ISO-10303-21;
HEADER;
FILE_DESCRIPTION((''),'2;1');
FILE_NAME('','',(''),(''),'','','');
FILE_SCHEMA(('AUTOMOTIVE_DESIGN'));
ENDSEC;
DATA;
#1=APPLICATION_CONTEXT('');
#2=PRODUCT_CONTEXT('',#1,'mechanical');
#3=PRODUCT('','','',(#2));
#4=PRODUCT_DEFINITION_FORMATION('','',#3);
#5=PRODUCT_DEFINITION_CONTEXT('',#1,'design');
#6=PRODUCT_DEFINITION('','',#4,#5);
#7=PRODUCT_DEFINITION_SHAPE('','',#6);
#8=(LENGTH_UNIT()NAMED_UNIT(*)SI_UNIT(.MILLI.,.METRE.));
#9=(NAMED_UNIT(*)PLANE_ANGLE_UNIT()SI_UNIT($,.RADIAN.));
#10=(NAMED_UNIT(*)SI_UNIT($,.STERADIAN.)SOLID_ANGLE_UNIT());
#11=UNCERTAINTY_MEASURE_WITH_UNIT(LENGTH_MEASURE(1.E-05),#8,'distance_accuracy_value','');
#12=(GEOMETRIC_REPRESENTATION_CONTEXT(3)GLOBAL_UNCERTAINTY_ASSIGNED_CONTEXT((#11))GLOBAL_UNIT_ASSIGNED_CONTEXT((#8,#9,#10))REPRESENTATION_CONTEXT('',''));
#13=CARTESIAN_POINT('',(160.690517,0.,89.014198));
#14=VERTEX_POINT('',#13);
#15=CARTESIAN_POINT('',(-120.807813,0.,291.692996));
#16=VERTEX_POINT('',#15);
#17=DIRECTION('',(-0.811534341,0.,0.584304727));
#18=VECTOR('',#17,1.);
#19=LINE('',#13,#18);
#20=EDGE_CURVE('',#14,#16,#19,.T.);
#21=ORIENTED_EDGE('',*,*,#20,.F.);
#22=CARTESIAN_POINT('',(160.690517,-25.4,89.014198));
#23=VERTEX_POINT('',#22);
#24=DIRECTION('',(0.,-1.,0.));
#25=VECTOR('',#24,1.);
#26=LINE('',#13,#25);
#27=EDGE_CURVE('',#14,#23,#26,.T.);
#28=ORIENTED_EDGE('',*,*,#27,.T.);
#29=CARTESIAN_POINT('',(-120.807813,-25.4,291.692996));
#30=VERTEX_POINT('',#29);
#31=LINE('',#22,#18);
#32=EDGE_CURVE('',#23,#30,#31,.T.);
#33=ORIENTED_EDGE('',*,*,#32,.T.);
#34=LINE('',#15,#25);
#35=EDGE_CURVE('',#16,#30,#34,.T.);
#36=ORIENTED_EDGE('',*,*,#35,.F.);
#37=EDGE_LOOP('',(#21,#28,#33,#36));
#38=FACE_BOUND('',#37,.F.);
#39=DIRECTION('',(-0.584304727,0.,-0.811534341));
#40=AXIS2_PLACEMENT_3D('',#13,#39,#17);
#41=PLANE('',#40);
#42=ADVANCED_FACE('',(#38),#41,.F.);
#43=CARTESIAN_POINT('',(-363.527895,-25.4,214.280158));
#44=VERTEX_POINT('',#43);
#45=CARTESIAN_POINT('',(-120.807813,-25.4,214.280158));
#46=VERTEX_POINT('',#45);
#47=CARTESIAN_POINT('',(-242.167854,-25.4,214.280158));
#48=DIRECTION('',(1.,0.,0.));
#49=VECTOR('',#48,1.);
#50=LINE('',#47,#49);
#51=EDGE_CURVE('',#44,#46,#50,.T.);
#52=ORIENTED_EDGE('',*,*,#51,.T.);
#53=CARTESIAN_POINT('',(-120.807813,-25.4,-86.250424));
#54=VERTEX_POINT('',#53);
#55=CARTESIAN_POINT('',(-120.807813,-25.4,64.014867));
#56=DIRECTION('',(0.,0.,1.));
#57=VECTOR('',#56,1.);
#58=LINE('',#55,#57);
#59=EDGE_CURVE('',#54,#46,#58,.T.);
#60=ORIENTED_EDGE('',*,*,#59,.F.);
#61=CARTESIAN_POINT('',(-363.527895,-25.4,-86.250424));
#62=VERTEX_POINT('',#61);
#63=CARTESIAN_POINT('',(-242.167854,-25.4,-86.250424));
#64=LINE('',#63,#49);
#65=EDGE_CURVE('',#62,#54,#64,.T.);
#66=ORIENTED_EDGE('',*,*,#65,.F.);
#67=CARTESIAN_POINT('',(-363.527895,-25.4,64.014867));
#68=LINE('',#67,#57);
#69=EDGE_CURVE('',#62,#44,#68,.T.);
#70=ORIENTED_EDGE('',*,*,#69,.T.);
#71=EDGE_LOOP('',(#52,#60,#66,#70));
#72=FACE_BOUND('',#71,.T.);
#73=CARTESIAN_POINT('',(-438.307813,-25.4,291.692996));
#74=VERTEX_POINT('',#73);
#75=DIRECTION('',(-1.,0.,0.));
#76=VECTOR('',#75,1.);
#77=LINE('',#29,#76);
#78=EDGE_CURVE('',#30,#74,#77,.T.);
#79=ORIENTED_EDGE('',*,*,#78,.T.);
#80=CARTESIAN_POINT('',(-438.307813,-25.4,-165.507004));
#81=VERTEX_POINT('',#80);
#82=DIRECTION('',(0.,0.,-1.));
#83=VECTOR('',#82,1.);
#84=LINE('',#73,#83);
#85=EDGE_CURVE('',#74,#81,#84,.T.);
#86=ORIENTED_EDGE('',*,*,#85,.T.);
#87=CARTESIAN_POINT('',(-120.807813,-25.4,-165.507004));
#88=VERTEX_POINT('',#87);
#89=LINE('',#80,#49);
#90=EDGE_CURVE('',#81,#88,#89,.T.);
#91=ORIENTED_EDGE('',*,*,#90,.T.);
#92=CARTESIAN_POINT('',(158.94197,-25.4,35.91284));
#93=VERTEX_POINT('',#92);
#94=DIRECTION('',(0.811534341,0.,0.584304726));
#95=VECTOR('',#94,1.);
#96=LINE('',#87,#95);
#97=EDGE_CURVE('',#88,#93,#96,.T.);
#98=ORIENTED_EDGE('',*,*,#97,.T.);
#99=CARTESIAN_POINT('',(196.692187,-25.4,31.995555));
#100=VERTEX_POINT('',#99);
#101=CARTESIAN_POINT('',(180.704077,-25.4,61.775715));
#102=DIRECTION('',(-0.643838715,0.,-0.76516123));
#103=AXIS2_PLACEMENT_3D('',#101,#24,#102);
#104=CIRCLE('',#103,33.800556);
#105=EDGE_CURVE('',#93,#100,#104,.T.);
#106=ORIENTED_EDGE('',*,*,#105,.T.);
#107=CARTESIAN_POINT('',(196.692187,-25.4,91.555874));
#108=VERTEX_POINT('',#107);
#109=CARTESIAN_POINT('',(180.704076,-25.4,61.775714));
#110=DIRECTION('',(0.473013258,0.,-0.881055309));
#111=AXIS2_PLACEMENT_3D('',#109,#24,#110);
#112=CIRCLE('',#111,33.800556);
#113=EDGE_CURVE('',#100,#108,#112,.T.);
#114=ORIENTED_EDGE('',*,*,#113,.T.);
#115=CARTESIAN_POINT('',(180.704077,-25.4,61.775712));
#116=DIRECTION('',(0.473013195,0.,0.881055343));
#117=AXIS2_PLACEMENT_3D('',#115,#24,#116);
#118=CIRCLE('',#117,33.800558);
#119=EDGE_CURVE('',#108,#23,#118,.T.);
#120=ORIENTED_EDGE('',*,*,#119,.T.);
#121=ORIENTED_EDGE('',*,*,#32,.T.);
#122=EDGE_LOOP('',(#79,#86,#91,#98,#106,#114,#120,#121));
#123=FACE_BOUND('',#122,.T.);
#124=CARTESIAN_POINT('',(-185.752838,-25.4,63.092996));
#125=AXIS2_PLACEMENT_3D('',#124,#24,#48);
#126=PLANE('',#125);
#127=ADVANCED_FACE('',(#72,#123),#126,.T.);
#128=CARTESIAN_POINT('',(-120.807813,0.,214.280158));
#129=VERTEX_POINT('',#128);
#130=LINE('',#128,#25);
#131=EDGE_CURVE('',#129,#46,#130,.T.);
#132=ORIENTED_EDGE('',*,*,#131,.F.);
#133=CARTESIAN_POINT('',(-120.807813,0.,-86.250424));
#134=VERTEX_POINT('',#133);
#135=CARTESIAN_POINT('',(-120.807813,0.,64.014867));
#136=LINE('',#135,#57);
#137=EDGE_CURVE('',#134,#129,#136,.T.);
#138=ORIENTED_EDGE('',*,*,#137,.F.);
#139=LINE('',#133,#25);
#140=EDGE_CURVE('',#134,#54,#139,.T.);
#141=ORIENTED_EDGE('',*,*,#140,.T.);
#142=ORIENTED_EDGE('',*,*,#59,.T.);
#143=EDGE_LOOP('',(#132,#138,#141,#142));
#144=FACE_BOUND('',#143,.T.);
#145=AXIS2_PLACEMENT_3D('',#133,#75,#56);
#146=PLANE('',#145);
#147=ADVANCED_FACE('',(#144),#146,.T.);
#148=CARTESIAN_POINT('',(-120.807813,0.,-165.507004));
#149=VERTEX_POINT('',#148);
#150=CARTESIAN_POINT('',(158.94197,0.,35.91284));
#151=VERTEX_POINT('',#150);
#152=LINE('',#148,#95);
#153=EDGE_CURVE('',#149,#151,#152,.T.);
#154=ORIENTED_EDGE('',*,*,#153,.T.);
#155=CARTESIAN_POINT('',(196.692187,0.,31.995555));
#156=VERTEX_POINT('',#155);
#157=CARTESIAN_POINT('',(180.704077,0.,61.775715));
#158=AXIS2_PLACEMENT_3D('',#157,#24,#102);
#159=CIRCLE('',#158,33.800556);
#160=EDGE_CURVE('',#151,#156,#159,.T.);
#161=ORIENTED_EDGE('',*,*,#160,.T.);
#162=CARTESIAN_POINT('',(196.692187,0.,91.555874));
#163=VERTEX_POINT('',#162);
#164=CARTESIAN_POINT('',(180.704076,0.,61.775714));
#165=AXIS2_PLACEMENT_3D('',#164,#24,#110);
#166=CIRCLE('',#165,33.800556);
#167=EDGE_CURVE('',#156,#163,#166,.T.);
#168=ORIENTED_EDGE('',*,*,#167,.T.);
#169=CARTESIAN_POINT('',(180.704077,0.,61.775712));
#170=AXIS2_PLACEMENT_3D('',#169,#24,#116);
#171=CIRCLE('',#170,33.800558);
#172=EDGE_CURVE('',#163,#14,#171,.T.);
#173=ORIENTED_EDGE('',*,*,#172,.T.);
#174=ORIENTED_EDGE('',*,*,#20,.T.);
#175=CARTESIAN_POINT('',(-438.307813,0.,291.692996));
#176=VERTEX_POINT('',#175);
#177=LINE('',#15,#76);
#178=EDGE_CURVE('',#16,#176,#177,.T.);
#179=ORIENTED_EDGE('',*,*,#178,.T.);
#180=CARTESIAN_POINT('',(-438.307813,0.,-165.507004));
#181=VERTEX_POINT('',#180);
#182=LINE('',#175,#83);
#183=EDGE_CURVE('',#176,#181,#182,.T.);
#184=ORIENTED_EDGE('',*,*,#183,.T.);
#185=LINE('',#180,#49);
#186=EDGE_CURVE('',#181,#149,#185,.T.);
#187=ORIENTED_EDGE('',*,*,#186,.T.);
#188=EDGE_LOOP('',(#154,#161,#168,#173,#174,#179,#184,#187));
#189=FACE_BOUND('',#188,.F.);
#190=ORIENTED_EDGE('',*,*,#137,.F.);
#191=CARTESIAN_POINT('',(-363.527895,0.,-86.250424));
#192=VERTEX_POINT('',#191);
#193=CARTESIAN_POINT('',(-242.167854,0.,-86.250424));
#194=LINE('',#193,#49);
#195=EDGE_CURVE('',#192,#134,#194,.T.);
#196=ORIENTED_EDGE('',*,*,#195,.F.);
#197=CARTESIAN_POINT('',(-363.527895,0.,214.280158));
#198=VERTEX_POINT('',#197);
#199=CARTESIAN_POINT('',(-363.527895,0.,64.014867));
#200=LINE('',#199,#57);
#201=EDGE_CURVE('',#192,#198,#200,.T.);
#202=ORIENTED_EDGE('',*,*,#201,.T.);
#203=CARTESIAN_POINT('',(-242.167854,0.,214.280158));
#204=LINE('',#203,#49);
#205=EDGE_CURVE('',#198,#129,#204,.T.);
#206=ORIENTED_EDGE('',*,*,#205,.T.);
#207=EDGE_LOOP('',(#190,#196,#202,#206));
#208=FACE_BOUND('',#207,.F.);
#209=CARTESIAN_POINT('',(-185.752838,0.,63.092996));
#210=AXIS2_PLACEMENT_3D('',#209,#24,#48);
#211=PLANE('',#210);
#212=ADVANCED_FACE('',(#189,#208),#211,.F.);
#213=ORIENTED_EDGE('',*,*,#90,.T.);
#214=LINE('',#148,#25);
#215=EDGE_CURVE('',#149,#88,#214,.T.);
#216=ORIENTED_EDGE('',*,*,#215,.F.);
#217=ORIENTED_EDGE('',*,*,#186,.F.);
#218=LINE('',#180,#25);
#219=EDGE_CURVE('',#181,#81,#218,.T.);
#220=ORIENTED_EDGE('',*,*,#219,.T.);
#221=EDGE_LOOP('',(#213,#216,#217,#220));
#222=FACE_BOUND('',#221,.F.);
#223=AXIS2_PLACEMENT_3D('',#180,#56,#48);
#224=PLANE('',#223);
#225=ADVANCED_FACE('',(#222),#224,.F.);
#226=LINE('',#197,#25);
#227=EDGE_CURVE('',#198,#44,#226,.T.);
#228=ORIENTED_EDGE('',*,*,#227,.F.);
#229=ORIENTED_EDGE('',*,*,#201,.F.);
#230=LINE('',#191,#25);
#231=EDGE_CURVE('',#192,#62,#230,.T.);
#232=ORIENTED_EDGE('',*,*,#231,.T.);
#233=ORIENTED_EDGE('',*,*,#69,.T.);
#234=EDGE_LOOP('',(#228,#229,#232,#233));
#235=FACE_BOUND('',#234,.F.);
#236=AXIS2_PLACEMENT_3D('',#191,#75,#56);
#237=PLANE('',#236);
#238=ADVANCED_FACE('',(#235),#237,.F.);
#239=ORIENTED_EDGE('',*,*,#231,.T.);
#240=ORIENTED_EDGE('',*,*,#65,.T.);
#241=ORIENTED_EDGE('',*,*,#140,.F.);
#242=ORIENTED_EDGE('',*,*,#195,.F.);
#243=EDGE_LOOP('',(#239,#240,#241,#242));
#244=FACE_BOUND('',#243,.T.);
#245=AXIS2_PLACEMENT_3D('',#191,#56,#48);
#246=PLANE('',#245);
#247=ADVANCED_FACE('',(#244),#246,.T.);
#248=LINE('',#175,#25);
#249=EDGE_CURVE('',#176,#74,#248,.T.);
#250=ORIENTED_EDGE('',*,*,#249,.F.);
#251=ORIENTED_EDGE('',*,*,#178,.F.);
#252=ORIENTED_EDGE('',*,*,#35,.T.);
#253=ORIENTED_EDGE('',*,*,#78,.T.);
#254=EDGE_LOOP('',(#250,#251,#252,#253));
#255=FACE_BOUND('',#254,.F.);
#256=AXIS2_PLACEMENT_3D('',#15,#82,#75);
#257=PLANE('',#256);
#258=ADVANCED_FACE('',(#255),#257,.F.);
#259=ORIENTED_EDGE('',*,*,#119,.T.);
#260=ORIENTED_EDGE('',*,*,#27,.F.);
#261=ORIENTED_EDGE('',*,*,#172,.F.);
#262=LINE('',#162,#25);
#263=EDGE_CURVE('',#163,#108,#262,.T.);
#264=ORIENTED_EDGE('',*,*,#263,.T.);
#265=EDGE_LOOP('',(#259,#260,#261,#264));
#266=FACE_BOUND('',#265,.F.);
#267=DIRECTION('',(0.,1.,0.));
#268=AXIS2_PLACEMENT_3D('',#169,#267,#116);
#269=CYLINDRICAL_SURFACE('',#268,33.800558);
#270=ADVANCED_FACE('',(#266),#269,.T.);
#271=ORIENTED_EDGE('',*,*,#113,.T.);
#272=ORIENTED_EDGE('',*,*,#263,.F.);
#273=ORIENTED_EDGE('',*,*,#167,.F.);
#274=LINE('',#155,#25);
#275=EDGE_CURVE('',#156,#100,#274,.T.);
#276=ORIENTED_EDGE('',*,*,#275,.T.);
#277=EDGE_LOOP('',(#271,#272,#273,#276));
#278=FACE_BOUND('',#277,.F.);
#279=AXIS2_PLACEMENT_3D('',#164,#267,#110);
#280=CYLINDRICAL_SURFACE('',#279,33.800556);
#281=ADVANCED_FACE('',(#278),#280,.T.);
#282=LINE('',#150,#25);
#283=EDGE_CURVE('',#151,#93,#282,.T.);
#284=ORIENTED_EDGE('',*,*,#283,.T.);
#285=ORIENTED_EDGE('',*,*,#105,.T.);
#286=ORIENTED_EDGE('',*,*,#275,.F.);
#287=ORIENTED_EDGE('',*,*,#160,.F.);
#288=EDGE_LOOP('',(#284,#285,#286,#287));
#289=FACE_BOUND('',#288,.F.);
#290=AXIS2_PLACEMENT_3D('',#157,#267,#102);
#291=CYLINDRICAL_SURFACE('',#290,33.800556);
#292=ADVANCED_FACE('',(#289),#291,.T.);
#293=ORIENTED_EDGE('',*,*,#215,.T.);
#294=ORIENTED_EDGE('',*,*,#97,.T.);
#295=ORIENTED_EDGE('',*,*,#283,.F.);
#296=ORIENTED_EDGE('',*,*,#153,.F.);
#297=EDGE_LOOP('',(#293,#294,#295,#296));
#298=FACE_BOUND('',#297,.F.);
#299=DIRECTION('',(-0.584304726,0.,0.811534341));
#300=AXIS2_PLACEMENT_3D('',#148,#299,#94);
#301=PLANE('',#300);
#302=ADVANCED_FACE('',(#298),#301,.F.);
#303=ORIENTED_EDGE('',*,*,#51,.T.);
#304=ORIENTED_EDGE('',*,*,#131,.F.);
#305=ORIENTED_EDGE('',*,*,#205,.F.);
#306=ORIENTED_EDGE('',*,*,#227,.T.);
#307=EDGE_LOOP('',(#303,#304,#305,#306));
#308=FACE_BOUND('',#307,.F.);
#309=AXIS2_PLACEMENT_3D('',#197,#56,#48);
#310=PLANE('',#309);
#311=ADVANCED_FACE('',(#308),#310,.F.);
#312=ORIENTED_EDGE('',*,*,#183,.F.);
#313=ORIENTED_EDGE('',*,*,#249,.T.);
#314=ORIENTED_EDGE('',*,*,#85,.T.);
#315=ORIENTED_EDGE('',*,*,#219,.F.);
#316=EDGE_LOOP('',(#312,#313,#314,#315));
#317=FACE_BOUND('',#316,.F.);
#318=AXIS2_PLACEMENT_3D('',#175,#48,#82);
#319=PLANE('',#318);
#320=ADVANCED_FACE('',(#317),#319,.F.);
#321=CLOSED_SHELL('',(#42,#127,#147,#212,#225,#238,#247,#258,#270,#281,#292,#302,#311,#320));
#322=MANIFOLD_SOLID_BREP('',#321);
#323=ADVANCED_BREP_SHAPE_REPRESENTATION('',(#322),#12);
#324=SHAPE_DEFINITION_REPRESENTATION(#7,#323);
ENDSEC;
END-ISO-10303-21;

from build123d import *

# Parameters (mm, degrees)
F0_W     = 242.720081
F0_H     = 300.530582
F1_DEPTH = 25.4


with BuildPart() as f1:
    # F0 (on Front) → F1 (new body)
    with BuildSketch(Plane.XZ):
        Polygon((-120.807813, 291.692996), (-438.307813, 291.692996), (-438.307813, -165.507004), (-120.807813, -165.507004), (158.94197, 35.91284), (196.692187, 63.092996), (160.690517, 89.014198), align=None)
        with Locations((-242.167854, 64.014867)):
            Rectangle(F0_W, F0_H, mode=Mode.SUBTRACT)
        with BuildLine():
            ThreePointArc((196.692187, 91.555874), (178.323721, 95.492349), (160.690517, 89.014198))
            Line((160.690517, 89.014198), (196.692187, 63.092996))
            Line((196.692187, 63.092996), (196.692187, 91.555874))
        make_face()
        with BuildLine():
            Line((196.692187, 91.555874), (196.692187, 63.092996))
            Line((196.692187, 63.092996), (196.692187, 31.995555))
            ThreePointArc((196.692187, 31.995555), (214.504632, 61.775715), (196.692187, 91.555874))
        make_face()
        with BuildLine():
            Line((196.692187, 31.995555), (196.692187, 63.092996))
            Line((196.692187, 63.092996), (158.94197, 35.91284))
            ThreePointArc((158.94197, 35.91284), (177.215375, 28.155683), (196.692187, 31.995555))
        make_face()
    extrude(amount=F1_DEPTH)


solid = f1.part
